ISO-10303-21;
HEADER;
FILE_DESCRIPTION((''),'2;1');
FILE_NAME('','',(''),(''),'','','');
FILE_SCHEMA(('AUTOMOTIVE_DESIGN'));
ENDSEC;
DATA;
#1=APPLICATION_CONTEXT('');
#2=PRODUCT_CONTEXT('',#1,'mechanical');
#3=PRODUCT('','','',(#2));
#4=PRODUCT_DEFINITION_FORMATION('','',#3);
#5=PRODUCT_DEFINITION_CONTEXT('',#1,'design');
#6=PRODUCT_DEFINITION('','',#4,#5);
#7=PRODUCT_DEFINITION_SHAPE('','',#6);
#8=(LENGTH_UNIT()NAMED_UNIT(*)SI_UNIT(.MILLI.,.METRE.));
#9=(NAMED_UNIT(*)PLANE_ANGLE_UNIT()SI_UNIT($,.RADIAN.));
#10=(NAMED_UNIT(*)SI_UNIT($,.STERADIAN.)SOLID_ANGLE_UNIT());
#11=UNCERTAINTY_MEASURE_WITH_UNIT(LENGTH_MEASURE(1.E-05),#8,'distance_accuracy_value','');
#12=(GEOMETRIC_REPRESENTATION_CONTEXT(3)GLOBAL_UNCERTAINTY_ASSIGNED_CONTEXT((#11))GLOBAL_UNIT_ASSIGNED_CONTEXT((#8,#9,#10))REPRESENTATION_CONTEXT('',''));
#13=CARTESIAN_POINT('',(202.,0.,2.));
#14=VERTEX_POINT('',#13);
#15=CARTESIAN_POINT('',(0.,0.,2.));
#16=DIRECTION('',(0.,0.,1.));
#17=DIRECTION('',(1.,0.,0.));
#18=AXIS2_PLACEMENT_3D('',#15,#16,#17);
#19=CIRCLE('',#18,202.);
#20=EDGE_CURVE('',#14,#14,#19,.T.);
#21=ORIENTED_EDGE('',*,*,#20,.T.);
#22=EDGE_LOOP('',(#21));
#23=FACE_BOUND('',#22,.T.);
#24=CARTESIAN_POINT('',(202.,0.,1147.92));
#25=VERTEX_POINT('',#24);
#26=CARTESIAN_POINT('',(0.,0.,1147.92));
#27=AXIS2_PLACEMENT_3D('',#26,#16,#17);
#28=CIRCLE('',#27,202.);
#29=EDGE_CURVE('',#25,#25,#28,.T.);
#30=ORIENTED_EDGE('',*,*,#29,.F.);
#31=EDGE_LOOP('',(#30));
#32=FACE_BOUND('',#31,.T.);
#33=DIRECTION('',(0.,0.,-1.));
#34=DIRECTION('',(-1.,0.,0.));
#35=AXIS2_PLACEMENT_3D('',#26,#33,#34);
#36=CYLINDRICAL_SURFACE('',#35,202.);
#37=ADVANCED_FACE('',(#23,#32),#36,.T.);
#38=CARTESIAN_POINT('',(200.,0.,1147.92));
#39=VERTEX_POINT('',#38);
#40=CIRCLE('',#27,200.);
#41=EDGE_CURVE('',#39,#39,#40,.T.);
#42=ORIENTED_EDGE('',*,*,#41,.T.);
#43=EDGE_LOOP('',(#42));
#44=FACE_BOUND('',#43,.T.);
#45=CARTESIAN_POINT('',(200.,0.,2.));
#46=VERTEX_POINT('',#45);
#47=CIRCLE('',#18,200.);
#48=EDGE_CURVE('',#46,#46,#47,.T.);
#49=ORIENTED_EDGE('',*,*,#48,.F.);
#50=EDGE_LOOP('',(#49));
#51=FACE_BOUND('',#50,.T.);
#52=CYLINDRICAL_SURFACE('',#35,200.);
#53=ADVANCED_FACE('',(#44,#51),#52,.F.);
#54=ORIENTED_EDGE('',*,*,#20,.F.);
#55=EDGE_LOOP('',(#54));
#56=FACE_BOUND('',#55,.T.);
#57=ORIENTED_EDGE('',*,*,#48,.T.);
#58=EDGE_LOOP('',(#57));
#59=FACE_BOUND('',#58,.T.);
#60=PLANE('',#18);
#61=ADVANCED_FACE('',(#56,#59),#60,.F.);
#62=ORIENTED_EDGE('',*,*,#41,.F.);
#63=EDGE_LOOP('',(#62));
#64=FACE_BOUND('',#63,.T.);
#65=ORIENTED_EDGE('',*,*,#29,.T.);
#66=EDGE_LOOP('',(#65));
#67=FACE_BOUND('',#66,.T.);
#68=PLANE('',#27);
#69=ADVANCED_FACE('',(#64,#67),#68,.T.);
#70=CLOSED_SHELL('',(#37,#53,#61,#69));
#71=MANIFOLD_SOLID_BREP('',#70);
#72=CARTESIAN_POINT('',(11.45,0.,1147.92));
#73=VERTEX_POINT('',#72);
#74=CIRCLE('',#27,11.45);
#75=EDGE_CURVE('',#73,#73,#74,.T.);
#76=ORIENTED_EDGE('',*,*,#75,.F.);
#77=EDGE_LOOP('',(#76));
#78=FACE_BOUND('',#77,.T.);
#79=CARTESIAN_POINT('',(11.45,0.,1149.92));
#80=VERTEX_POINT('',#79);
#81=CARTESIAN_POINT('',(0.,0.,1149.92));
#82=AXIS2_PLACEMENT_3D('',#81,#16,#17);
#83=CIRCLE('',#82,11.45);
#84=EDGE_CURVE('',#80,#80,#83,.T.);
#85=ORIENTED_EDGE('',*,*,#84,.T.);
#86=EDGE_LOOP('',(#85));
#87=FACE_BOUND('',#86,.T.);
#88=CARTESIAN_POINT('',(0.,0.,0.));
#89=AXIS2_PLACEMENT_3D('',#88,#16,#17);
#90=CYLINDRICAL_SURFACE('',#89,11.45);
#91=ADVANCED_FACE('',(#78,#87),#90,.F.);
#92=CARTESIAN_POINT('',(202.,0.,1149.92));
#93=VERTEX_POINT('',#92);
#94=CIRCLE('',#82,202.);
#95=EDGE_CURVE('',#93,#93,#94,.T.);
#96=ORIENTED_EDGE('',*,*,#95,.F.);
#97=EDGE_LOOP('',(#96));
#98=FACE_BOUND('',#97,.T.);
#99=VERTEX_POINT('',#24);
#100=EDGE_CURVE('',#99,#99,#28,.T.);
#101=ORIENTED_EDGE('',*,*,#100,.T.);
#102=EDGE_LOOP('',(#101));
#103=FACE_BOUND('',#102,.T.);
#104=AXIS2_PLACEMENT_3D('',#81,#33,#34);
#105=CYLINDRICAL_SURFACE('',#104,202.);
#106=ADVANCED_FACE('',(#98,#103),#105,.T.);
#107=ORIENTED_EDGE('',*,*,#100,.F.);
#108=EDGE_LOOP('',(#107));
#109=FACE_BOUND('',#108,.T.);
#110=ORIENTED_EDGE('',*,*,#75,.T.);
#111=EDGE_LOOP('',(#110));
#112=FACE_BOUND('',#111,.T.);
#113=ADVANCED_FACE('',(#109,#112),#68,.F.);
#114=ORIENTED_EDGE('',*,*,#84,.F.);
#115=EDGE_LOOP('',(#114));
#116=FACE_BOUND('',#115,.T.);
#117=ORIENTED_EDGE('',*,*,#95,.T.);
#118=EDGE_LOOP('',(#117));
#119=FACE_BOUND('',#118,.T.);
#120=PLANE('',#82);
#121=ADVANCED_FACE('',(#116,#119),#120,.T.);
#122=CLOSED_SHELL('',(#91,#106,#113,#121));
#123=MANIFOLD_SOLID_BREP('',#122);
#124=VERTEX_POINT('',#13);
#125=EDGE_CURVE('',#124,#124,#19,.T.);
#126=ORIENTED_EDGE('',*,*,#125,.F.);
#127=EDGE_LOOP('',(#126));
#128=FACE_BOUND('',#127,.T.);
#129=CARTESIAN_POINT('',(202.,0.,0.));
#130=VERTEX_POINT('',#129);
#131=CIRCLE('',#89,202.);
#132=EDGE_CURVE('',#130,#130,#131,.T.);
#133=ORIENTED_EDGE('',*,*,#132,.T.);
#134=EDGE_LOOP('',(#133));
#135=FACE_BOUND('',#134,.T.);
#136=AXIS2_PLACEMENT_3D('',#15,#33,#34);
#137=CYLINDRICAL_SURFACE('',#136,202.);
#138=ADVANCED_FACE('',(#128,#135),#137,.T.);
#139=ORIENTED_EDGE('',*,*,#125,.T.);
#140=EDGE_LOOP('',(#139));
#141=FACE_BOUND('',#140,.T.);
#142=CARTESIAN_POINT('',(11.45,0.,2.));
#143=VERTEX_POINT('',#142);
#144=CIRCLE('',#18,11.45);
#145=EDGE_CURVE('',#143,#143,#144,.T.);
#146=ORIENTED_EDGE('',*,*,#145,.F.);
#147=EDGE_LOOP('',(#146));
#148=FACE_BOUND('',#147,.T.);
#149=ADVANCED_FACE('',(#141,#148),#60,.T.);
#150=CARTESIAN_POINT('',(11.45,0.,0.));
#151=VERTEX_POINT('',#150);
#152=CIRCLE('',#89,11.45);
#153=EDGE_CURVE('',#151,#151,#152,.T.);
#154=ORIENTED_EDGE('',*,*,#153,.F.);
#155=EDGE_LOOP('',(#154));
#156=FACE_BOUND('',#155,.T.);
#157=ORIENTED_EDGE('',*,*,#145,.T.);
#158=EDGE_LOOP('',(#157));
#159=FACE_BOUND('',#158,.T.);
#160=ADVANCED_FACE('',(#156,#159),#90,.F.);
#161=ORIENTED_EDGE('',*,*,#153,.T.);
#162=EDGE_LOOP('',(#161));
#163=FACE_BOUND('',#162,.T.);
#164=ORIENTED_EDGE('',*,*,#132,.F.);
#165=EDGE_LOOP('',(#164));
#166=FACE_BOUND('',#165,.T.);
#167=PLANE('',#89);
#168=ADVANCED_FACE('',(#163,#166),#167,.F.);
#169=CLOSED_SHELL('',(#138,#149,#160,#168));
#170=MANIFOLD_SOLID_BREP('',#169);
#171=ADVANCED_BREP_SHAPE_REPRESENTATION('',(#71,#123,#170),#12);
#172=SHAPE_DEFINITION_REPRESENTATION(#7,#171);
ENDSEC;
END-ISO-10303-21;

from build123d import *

# Parameters (mm, degrees)
SKETCH1_R           = 202
BOSS_EXTRUDE1_DEPTH = 2
SKETCH2_R           = 202
SKETCH2_R_2         = 200
BOSS_EXTRUDE2_DEPTH = 1145.92
SKETCH4_R           = 202
BOSS_EXTRUDE4_DEPTH = 2
SKETCH5_R           = 11.45
CUT_EXTRUDE1_DEPTH  = 1185.872991675


with BuildPart() as part:
    # Sketch1 → Boss-Extrude1 (new body)
    with BuildSketch(Plane.XY):
        Circle(SKETCH1_R)
    extrude(amount=BOSS_EXTRUDE1_DEPTH)


with BuildPart() as body_2:
    # Sketch2 → Boss-Extrude2 (new body)
    with BuildSketch(Plane.XY.offset(2)):
        Circle(SKETCH2_R)
        Circle(SKETCH2_R_2, mode=Mode.SUBTRACT)
    extrude(amount=BOSS_EXTRUDE2_DEPTH)


with BuildPart() as body_3:
    # Sketch4 → Boss-Extrude4 (new body)
    with BuildSketch(Plane.XY.offset(1147.92)):
        Circle(SKETCH4_R)
    extrude(amount=BOSS_EXTRUDE4_DEPTH)


with BuildPart() as cut_extrude1_tool:
    # Sketch5 → Cut-Extrude1 (new, through all)
    with BuildSketch(Plane.XY.offset(1149.92)):
        Circle(SKETCH5_R)
    extrude(amount=-CUT_EXTRUDE1_DEPTH)


with BuildPart() as part_1:
    add(part.part)

    # Cut-Extrude1: cut by cut_extrude1_tool
    add(cut_extrude1_tool.part, mode=Mode.SUBTRACT)


with BuildPart() as body_3_1:
    add(body_3.part)

    # Cut-Extrude1: cut by cut_extrude1_tool
    add(cut_extrude1_tool.part, mode=Mode.SUBTRACT)


solid = Compound([body_2.part, part_1.part, body_3_1.part])
